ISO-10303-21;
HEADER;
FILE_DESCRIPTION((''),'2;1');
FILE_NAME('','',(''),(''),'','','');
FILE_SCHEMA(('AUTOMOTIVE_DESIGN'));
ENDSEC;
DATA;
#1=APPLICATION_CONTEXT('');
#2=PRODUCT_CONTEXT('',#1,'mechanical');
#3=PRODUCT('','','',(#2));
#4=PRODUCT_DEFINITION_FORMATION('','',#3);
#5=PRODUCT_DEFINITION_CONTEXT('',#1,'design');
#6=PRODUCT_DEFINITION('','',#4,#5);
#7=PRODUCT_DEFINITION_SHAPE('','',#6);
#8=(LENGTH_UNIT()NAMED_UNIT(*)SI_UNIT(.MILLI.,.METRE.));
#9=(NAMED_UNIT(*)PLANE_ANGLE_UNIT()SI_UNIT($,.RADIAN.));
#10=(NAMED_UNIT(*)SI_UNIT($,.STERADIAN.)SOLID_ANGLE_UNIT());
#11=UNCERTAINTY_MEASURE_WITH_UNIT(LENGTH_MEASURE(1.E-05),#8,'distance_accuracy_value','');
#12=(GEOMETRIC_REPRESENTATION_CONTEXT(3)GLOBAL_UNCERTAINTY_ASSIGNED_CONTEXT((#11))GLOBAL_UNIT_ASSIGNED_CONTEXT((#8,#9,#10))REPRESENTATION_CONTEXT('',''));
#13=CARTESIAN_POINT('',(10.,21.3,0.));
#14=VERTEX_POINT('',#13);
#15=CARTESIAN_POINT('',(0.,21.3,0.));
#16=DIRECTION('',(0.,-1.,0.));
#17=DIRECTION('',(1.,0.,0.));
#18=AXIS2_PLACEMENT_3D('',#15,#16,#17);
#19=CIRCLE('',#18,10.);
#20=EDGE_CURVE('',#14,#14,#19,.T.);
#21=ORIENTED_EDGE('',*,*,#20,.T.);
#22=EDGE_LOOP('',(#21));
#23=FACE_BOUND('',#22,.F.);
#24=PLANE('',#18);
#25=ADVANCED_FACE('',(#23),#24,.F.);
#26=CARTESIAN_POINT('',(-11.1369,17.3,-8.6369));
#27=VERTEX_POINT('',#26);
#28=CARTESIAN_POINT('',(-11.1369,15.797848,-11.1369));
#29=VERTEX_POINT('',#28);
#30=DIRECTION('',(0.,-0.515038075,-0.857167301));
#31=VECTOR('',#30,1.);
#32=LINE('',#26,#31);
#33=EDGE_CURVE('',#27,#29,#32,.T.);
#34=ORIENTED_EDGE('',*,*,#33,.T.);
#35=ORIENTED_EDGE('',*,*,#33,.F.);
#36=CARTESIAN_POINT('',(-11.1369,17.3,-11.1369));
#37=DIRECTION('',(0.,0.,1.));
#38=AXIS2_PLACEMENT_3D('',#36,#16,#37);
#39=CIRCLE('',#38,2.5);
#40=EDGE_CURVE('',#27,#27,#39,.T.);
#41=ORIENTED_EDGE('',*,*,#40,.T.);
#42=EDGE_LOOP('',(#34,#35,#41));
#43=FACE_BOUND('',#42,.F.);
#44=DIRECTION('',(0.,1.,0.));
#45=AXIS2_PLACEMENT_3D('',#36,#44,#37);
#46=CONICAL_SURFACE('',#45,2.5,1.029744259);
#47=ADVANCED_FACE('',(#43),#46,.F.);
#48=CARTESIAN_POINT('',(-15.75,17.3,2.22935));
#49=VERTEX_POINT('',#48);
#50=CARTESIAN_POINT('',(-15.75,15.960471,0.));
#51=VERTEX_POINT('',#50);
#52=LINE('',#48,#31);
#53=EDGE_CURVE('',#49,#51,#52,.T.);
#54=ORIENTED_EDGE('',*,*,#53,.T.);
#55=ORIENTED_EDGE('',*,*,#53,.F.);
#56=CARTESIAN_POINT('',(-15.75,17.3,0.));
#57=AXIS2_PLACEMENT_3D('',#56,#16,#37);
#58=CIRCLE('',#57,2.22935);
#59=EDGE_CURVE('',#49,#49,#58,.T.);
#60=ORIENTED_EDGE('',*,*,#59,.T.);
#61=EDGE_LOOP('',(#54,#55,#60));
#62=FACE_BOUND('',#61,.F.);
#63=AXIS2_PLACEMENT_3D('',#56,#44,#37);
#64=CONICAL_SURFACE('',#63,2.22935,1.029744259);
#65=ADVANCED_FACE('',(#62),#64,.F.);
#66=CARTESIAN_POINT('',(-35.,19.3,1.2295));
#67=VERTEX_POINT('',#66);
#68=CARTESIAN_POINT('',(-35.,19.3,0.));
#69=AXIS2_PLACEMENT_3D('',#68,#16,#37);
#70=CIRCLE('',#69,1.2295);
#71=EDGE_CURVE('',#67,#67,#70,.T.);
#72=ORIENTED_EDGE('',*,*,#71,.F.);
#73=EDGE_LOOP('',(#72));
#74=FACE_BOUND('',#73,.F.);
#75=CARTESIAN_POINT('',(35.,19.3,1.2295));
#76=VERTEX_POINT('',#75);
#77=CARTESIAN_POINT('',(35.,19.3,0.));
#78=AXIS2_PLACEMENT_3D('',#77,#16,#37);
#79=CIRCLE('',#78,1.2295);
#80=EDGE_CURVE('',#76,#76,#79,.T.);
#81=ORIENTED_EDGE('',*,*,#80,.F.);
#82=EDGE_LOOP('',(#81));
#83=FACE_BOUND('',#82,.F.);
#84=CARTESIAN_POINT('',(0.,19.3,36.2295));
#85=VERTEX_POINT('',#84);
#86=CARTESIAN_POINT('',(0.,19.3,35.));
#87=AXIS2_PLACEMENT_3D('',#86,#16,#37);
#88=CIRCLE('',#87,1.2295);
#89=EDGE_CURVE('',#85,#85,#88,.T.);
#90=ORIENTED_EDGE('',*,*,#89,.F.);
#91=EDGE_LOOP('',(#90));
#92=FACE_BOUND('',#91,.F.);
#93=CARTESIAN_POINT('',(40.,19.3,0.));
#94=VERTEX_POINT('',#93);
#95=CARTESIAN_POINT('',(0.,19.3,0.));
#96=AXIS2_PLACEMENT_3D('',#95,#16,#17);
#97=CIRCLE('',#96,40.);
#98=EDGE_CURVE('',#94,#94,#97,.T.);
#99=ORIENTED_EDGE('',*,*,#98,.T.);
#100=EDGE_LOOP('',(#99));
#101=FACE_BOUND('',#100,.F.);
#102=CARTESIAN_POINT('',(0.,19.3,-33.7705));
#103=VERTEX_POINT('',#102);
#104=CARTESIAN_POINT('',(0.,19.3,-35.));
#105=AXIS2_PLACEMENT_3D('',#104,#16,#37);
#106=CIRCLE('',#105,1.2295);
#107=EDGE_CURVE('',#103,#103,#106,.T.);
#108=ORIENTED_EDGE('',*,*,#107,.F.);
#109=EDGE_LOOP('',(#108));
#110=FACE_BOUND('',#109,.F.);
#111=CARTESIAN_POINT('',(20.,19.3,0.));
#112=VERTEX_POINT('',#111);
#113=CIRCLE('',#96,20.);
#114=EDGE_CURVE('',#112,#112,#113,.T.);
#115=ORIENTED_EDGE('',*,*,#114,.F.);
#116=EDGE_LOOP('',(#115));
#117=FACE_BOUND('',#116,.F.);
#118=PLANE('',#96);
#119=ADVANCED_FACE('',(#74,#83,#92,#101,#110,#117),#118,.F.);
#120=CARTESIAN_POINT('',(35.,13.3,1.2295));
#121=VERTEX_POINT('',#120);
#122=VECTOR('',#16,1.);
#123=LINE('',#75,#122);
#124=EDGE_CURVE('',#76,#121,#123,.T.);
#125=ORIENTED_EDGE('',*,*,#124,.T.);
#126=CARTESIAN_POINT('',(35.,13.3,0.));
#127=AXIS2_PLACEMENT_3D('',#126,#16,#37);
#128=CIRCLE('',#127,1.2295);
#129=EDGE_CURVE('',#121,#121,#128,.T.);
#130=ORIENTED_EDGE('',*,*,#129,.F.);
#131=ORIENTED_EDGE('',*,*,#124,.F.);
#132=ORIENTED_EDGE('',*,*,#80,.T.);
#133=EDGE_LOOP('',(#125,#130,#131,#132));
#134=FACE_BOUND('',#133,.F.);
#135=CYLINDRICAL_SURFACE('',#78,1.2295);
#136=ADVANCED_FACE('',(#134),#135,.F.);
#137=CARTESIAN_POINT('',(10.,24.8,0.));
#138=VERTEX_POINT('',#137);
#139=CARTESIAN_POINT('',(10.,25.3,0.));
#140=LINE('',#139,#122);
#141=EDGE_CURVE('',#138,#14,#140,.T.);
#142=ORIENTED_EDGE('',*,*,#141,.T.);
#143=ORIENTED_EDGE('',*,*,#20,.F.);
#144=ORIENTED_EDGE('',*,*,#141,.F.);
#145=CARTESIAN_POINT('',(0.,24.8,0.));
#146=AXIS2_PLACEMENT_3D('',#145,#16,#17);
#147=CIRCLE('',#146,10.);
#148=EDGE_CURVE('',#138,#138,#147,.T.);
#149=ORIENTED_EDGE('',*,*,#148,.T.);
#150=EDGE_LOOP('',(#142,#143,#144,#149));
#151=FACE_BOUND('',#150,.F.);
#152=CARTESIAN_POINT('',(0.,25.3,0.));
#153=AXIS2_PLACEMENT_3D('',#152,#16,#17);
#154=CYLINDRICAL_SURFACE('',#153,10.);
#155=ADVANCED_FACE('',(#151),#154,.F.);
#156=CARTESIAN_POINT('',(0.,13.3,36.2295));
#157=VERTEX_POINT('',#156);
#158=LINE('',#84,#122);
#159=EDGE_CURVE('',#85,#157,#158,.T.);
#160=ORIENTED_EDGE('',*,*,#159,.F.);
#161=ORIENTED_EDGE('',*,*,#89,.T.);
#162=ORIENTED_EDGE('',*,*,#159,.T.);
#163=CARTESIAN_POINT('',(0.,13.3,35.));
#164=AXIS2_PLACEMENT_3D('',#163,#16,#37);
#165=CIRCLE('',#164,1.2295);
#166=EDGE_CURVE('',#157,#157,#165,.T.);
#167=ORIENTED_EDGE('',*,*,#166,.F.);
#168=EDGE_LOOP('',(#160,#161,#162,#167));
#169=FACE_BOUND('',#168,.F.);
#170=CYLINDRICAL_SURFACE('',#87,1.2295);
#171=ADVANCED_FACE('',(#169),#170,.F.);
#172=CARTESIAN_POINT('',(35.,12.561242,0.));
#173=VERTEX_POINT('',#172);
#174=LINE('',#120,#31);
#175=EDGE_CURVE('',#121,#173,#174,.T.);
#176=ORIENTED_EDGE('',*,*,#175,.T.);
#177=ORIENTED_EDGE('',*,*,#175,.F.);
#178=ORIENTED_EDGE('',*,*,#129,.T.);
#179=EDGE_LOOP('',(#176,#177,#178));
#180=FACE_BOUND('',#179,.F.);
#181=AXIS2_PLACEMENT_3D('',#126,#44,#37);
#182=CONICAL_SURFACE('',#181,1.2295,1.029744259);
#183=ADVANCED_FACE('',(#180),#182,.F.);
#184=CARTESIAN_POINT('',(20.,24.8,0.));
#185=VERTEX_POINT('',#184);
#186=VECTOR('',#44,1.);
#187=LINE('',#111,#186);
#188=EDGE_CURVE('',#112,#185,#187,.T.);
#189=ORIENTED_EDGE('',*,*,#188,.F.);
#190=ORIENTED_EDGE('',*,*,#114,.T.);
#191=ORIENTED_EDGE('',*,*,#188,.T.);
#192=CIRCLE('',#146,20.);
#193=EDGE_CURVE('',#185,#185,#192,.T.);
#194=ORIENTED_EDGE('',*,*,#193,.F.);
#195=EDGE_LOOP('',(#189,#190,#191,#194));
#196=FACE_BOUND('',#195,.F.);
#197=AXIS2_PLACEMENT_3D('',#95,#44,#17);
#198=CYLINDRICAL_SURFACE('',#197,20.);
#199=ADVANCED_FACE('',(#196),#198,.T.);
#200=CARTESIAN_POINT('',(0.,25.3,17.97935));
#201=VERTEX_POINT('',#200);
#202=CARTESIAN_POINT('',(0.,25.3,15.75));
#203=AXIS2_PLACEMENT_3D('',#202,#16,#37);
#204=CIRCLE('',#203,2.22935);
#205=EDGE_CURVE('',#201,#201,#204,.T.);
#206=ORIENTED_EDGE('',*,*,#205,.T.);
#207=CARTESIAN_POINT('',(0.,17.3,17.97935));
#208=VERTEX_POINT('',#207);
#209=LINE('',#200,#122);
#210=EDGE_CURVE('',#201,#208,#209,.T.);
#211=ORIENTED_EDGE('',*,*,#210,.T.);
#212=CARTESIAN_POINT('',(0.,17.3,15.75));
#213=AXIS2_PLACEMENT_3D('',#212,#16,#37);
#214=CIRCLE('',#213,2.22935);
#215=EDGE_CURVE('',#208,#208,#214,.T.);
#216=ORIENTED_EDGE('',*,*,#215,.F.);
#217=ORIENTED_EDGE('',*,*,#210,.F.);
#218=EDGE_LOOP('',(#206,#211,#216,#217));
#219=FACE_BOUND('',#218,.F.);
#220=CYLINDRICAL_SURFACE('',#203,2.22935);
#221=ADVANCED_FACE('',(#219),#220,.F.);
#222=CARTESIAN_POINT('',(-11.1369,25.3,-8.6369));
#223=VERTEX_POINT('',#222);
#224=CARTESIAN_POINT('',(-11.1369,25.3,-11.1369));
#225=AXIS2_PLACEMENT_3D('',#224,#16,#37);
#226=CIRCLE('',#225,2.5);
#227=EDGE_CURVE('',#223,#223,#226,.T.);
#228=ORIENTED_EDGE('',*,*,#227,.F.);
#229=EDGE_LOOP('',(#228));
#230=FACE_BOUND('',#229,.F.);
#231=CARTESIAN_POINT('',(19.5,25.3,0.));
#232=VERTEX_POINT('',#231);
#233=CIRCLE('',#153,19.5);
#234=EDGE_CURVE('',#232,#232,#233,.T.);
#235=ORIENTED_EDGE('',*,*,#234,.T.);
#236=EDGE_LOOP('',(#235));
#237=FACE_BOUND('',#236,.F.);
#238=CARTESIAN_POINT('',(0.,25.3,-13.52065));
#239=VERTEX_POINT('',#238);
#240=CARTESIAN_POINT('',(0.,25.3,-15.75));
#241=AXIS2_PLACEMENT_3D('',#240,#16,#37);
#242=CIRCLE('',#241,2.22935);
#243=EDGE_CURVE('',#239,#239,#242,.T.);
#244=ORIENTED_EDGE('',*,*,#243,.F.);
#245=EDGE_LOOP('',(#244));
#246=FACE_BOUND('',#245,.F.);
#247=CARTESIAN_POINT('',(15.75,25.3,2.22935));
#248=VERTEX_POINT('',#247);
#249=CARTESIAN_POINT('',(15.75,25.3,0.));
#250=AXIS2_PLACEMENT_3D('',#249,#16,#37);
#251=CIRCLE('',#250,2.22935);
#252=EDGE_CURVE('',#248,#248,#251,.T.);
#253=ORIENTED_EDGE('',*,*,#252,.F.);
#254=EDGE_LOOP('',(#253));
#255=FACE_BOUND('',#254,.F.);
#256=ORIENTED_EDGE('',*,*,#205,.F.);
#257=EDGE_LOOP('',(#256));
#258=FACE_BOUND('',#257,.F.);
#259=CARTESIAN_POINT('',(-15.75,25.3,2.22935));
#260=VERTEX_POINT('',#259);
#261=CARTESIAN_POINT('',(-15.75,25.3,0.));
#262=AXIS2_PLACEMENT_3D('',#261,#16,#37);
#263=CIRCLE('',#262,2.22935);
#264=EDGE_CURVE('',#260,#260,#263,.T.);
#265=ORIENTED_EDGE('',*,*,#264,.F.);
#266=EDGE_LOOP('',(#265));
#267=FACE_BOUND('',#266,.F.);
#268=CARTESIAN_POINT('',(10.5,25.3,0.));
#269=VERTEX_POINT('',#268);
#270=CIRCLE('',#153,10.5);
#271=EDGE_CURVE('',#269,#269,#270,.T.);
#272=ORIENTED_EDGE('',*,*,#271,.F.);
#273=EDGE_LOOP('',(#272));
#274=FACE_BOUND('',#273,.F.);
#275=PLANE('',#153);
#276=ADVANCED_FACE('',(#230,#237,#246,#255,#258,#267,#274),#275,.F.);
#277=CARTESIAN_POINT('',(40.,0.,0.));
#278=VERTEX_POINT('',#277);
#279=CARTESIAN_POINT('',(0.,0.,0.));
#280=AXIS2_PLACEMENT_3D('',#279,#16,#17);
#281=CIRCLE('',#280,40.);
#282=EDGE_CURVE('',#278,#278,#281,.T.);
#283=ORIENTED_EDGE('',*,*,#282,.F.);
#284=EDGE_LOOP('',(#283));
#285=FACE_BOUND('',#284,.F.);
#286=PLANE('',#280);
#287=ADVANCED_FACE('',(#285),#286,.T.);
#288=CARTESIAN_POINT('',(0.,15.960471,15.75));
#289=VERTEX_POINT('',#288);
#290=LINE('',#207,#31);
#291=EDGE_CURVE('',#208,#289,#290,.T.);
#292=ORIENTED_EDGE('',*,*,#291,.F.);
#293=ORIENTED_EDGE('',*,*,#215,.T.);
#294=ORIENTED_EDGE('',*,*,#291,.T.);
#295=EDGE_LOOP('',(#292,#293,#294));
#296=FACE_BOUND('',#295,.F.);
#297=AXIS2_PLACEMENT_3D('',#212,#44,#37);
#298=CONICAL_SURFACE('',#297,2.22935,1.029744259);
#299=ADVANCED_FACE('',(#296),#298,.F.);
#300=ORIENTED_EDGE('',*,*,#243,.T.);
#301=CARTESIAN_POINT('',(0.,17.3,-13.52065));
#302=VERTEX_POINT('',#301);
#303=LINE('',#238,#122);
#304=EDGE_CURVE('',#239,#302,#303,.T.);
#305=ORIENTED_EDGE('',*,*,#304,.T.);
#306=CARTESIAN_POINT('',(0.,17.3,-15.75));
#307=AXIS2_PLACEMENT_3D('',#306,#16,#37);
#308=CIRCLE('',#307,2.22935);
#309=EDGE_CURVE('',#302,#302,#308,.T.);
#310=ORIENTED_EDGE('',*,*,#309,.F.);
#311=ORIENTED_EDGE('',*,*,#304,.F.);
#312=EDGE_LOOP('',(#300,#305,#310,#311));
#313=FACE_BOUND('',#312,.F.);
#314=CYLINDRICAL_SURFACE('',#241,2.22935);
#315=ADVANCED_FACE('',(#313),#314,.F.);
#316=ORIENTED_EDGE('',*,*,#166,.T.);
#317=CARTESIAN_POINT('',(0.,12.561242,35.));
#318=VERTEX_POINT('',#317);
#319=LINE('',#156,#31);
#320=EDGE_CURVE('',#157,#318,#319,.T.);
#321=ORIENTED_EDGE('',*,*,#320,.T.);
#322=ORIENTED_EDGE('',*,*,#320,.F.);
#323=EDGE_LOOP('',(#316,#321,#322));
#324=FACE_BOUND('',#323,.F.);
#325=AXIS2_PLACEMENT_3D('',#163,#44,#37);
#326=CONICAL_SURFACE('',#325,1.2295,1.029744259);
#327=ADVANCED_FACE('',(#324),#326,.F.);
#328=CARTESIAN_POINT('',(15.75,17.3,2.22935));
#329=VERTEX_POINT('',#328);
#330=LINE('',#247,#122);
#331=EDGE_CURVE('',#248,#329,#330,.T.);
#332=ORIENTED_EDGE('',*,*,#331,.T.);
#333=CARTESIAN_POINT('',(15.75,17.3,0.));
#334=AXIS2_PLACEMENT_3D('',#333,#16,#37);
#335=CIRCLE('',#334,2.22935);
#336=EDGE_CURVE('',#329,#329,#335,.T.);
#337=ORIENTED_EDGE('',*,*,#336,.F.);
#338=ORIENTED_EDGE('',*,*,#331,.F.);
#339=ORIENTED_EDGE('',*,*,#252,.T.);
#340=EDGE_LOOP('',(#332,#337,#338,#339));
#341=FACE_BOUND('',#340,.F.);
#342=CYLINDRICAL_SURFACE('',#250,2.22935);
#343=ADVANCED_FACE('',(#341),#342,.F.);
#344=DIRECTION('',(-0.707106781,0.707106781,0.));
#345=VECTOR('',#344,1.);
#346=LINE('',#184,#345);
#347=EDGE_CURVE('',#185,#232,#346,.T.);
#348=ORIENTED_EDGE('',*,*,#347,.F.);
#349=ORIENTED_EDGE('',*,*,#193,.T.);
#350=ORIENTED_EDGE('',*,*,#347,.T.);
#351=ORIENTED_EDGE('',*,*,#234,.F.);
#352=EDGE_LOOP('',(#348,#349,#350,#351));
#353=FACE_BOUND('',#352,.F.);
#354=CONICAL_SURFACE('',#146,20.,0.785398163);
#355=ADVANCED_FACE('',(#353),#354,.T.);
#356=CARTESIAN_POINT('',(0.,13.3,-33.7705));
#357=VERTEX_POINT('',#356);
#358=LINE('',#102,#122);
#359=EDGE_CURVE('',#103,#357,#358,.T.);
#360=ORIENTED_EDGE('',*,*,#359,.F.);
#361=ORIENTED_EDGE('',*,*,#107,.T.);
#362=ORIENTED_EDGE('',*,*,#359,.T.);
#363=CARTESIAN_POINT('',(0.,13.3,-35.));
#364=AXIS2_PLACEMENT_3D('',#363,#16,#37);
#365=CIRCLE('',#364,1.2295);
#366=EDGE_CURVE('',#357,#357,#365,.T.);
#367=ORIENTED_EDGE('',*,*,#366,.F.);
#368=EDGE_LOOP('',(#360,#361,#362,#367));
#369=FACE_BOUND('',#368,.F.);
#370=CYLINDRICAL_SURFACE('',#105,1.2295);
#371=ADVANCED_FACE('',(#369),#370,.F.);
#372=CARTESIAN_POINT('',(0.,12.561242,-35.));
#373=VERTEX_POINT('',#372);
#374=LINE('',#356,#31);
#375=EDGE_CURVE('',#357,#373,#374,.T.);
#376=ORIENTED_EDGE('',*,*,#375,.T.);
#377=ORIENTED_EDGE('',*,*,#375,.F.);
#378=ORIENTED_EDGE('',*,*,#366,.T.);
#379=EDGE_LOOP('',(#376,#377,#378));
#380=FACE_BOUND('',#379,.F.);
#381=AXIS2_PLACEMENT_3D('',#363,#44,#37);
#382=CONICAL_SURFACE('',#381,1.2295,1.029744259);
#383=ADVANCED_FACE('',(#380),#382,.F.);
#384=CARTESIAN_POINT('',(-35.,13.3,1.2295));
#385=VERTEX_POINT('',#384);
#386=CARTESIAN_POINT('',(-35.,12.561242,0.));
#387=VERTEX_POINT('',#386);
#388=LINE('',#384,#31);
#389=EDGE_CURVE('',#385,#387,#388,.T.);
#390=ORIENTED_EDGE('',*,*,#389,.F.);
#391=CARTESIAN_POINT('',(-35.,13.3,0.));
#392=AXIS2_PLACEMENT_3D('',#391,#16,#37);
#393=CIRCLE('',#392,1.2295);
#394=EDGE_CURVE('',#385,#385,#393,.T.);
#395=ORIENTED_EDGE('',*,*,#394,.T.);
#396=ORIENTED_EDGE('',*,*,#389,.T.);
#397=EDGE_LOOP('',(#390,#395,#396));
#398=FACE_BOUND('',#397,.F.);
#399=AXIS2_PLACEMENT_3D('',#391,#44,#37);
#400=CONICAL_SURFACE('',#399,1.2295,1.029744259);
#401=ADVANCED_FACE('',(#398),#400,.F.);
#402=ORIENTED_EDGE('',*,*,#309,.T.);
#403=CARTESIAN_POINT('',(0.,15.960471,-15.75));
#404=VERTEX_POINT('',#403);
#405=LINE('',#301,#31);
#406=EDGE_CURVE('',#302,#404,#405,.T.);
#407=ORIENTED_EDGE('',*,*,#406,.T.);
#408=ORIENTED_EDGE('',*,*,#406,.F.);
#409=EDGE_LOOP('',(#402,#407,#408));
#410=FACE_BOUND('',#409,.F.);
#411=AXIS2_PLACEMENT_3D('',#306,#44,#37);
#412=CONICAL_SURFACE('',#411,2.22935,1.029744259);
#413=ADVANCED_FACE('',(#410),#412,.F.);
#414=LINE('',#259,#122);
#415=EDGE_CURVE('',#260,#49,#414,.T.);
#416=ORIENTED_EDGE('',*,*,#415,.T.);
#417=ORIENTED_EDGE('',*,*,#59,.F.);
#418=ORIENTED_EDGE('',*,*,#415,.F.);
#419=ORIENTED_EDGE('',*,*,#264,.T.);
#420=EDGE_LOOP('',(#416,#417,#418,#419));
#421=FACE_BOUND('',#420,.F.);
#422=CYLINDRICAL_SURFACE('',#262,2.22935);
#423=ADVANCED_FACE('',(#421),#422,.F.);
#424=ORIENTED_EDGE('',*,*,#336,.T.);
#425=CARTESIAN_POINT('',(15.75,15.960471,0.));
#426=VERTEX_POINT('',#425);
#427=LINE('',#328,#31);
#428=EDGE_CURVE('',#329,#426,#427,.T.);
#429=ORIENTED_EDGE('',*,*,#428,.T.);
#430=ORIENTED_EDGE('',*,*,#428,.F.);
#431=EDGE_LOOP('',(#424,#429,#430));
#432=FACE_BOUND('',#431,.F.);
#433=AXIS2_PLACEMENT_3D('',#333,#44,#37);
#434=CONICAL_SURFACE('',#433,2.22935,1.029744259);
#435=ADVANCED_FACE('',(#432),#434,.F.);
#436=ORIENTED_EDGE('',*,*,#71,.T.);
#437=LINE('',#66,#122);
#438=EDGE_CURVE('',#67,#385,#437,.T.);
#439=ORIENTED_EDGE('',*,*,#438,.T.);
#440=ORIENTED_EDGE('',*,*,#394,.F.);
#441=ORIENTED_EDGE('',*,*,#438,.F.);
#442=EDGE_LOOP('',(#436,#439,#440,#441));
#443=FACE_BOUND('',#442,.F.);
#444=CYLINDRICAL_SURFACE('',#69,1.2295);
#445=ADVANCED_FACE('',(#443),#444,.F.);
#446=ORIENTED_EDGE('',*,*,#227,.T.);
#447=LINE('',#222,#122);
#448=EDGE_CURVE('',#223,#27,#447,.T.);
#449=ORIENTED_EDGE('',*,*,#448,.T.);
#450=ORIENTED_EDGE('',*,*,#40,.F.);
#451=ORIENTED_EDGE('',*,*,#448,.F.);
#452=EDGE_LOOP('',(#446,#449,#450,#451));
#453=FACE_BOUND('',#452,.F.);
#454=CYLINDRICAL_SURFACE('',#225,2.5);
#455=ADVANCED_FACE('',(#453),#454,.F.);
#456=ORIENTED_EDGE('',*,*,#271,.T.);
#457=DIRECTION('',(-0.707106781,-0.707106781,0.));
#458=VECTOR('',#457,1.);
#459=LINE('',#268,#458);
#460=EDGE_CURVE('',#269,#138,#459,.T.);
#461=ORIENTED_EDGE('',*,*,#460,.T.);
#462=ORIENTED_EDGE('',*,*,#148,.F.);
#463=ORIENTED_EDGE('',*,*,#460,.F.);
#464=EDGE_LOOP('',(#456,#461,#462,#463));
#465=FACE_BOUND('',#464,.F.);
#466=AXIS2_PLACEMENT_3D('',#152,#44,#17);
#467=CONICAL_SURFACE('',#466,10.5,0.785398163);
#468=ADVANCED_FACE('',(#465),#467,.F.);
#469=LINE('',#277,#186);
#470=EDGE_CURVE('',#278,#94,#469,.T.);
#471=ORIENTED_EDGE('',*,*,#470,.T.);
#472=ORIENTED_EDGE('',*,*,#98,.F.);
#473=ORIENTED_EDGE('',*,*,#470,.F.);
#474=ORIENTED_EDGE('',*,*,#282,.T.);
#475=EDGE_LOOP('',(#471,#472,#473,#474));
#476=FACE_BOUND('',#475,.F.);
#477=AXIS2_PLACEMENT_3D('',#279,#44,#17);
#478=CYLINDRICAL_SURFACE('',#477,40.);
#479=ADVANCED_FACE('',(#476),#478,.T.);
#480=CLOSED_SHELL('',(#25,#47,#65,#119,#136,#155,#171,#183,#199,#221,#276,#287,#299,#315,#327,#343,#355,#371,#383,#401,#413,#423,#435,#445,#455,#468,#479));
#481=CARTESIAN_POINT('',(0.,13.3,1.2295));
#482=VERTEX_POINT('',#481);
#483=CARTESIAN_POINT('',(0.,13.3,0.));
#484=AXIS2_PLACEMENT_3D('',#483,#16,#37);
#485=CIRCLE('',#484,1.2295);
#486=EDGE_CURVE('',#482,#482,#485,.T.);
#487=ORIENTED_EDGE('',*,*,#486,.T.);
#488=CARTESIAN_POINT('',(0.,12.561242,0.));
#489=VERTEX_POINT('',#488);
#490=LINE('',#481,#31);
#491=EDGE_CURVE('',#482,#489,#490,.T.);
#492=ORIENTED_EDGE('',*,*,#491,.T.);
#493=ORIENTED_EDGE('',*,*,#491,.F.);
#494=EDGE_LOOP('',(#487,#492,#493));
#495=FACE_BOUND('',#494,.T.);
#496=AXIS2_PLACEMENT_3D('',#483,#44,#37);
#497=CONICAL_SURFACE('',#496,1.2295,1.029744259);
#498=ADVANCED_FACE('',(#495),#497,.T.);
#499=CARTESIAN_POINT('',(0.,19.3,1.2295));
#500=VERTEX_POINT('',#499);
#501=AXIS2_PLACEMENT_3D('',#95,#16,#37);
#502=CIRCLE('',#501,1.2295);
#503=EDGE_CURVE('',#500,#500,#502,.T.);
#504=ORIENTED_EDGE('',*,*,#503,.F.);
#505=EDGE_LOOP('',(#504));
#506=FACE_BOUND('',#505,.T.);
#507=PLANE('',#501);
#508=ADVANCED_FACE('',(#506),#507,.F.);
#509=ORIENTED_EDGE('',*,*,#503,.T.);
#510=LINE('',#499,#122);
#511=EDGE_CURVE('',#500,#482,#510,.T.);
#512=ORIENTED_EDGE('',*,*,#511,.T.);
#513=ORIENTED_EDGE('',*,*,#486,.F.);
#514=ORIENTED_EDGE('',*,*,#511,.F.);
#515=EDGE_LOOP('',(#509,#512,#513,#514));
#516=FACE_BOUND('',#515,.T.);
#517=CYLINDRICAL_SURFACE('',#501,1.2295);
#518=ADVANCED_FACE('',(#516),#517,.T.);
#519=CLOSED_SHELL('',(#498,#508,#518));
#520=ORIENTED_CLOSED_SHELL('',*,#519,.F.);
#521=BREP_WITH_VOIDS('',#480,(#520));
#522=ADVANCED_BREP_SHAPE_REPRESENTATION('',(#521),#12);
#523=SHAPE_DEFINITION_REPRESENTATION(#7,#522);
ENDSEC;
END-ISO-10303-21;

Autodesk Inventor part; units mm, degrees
ref_plane "YZ Plane" through (0, 0, 0) normal (1, 0, 0) x (0, 1, 0)
ref_plane "XZ Plane" through (0, 0, 0) normal (0, 1, 0) x (-1, 0, 0)
ref_plane "XY Plane" through (0, 0, 0) normal (0, 0, 1) x (1, 0, 0)
sketch "スケッチ1" plane through (0, 0, 0) normal (0, 0, 1) x (1, 0, 0)
  line L0 (0, 0) -> (40, 0)
  line L1 (40, 0) -> (40, 19.3)
  line L2 (40, 19.3) -> (20, 19.3)
  line L3 (20, 19.3) -> (20, 25.3)
  line L4 (20, 25.3) -> (0, 25.3)
  line L5 (0, 25.3) -> (0, 0)
  line L6 (20, 24.8) -> (19.5, 25.3)
  line L7 (10, 25.3) -> (10, 21.3)
  line L8 (10, 21.3) -> (0, 21.3)
  line L9 (10.5, 25.3) -> (10, 24.8)
  dimension "d0" = 40
  dimension "d1" = 19.3
  dimension "d2" = 20
  dimension "d3" = 6
  dimension "d4" = 135
  dimension "d5" = 0.5
  dimension "d6" = 4
  dimension "d7" = 0.5
  dimension "d8" = 45
revolve "回転1" add sketch "スケッチ1" angle 360 about axis through (0, 25.3, 0) along (0, -1, 0) contours L5 L8 L7 L9 L4 L6 L3 L2 L1 L0
sketch "スケッチ2" plane through (0, 19.3, 0) normal (0, 1, 0) x (1, 0, 0)
  point P0 (0, 0)
  point P1 (0, -35)
  point P2 (0, 0)
  point P3 (35, 0)
  point P4 (0, 35)
  point P5 (-35, 0)
  dimension "d12" = 360
hole "穴1" at (0, 19.3, 35) at (0, 19.3, 0) at (35, 19.3, 0) at (0, 19.3, -35) at (-35, 19.3, 0) direction (0, -1, 0) diameter 2.459 depth 6 tip angle 118 thread size "M3x0.5" class "6H" standard "ISO Metric profile"
sketch "スケッチ3" plane through (0, 25.3, 0) normal (0, 1, 0) x (1, 0, 0)
  point P0 (0, 0)
  point P1 (0, 15.75)
  point P2 (-15.75, 0)
  point P3 (0, -15.75)
  point P4 (15.75, 0)
  dimension "d21" = 15.75
  dimension "d24" = 360
hole "穴2" at (0, 25.3, -15.75) at (-15.75, 25.3, 0) at (0, 25.3, 15.75) at (15.75, 25.3, 0) direction (0, -1, 0) diameter 4.4587 depth 8 tip angle 118 thread size "M5x0.5" class "6H" standard "ISO Metric profile"
sketch "スケッチ4" plane through (0, 25.3, 0) normal (0, 1, 0) x (1, 0, 0)
  circle A0 centre (0, 0) radius 1.2295 projected
  circle A1 centre (0, 0) radius 15.75 construction
  line L0 (-11.1369, 11.1369) -> (0, 0) construction
  line L1 (0, 0) -> (-15.75, 0) construction
  dimension "d33" = 31.5
  dimension "d34" = 45
hole "穴3" at (-11.1369, 25.3, -11.1369) direction (0, -1, 0) diameter 5 depth 8 tip angle 118
properties part number "マニピュレータ手首ISO9409"
